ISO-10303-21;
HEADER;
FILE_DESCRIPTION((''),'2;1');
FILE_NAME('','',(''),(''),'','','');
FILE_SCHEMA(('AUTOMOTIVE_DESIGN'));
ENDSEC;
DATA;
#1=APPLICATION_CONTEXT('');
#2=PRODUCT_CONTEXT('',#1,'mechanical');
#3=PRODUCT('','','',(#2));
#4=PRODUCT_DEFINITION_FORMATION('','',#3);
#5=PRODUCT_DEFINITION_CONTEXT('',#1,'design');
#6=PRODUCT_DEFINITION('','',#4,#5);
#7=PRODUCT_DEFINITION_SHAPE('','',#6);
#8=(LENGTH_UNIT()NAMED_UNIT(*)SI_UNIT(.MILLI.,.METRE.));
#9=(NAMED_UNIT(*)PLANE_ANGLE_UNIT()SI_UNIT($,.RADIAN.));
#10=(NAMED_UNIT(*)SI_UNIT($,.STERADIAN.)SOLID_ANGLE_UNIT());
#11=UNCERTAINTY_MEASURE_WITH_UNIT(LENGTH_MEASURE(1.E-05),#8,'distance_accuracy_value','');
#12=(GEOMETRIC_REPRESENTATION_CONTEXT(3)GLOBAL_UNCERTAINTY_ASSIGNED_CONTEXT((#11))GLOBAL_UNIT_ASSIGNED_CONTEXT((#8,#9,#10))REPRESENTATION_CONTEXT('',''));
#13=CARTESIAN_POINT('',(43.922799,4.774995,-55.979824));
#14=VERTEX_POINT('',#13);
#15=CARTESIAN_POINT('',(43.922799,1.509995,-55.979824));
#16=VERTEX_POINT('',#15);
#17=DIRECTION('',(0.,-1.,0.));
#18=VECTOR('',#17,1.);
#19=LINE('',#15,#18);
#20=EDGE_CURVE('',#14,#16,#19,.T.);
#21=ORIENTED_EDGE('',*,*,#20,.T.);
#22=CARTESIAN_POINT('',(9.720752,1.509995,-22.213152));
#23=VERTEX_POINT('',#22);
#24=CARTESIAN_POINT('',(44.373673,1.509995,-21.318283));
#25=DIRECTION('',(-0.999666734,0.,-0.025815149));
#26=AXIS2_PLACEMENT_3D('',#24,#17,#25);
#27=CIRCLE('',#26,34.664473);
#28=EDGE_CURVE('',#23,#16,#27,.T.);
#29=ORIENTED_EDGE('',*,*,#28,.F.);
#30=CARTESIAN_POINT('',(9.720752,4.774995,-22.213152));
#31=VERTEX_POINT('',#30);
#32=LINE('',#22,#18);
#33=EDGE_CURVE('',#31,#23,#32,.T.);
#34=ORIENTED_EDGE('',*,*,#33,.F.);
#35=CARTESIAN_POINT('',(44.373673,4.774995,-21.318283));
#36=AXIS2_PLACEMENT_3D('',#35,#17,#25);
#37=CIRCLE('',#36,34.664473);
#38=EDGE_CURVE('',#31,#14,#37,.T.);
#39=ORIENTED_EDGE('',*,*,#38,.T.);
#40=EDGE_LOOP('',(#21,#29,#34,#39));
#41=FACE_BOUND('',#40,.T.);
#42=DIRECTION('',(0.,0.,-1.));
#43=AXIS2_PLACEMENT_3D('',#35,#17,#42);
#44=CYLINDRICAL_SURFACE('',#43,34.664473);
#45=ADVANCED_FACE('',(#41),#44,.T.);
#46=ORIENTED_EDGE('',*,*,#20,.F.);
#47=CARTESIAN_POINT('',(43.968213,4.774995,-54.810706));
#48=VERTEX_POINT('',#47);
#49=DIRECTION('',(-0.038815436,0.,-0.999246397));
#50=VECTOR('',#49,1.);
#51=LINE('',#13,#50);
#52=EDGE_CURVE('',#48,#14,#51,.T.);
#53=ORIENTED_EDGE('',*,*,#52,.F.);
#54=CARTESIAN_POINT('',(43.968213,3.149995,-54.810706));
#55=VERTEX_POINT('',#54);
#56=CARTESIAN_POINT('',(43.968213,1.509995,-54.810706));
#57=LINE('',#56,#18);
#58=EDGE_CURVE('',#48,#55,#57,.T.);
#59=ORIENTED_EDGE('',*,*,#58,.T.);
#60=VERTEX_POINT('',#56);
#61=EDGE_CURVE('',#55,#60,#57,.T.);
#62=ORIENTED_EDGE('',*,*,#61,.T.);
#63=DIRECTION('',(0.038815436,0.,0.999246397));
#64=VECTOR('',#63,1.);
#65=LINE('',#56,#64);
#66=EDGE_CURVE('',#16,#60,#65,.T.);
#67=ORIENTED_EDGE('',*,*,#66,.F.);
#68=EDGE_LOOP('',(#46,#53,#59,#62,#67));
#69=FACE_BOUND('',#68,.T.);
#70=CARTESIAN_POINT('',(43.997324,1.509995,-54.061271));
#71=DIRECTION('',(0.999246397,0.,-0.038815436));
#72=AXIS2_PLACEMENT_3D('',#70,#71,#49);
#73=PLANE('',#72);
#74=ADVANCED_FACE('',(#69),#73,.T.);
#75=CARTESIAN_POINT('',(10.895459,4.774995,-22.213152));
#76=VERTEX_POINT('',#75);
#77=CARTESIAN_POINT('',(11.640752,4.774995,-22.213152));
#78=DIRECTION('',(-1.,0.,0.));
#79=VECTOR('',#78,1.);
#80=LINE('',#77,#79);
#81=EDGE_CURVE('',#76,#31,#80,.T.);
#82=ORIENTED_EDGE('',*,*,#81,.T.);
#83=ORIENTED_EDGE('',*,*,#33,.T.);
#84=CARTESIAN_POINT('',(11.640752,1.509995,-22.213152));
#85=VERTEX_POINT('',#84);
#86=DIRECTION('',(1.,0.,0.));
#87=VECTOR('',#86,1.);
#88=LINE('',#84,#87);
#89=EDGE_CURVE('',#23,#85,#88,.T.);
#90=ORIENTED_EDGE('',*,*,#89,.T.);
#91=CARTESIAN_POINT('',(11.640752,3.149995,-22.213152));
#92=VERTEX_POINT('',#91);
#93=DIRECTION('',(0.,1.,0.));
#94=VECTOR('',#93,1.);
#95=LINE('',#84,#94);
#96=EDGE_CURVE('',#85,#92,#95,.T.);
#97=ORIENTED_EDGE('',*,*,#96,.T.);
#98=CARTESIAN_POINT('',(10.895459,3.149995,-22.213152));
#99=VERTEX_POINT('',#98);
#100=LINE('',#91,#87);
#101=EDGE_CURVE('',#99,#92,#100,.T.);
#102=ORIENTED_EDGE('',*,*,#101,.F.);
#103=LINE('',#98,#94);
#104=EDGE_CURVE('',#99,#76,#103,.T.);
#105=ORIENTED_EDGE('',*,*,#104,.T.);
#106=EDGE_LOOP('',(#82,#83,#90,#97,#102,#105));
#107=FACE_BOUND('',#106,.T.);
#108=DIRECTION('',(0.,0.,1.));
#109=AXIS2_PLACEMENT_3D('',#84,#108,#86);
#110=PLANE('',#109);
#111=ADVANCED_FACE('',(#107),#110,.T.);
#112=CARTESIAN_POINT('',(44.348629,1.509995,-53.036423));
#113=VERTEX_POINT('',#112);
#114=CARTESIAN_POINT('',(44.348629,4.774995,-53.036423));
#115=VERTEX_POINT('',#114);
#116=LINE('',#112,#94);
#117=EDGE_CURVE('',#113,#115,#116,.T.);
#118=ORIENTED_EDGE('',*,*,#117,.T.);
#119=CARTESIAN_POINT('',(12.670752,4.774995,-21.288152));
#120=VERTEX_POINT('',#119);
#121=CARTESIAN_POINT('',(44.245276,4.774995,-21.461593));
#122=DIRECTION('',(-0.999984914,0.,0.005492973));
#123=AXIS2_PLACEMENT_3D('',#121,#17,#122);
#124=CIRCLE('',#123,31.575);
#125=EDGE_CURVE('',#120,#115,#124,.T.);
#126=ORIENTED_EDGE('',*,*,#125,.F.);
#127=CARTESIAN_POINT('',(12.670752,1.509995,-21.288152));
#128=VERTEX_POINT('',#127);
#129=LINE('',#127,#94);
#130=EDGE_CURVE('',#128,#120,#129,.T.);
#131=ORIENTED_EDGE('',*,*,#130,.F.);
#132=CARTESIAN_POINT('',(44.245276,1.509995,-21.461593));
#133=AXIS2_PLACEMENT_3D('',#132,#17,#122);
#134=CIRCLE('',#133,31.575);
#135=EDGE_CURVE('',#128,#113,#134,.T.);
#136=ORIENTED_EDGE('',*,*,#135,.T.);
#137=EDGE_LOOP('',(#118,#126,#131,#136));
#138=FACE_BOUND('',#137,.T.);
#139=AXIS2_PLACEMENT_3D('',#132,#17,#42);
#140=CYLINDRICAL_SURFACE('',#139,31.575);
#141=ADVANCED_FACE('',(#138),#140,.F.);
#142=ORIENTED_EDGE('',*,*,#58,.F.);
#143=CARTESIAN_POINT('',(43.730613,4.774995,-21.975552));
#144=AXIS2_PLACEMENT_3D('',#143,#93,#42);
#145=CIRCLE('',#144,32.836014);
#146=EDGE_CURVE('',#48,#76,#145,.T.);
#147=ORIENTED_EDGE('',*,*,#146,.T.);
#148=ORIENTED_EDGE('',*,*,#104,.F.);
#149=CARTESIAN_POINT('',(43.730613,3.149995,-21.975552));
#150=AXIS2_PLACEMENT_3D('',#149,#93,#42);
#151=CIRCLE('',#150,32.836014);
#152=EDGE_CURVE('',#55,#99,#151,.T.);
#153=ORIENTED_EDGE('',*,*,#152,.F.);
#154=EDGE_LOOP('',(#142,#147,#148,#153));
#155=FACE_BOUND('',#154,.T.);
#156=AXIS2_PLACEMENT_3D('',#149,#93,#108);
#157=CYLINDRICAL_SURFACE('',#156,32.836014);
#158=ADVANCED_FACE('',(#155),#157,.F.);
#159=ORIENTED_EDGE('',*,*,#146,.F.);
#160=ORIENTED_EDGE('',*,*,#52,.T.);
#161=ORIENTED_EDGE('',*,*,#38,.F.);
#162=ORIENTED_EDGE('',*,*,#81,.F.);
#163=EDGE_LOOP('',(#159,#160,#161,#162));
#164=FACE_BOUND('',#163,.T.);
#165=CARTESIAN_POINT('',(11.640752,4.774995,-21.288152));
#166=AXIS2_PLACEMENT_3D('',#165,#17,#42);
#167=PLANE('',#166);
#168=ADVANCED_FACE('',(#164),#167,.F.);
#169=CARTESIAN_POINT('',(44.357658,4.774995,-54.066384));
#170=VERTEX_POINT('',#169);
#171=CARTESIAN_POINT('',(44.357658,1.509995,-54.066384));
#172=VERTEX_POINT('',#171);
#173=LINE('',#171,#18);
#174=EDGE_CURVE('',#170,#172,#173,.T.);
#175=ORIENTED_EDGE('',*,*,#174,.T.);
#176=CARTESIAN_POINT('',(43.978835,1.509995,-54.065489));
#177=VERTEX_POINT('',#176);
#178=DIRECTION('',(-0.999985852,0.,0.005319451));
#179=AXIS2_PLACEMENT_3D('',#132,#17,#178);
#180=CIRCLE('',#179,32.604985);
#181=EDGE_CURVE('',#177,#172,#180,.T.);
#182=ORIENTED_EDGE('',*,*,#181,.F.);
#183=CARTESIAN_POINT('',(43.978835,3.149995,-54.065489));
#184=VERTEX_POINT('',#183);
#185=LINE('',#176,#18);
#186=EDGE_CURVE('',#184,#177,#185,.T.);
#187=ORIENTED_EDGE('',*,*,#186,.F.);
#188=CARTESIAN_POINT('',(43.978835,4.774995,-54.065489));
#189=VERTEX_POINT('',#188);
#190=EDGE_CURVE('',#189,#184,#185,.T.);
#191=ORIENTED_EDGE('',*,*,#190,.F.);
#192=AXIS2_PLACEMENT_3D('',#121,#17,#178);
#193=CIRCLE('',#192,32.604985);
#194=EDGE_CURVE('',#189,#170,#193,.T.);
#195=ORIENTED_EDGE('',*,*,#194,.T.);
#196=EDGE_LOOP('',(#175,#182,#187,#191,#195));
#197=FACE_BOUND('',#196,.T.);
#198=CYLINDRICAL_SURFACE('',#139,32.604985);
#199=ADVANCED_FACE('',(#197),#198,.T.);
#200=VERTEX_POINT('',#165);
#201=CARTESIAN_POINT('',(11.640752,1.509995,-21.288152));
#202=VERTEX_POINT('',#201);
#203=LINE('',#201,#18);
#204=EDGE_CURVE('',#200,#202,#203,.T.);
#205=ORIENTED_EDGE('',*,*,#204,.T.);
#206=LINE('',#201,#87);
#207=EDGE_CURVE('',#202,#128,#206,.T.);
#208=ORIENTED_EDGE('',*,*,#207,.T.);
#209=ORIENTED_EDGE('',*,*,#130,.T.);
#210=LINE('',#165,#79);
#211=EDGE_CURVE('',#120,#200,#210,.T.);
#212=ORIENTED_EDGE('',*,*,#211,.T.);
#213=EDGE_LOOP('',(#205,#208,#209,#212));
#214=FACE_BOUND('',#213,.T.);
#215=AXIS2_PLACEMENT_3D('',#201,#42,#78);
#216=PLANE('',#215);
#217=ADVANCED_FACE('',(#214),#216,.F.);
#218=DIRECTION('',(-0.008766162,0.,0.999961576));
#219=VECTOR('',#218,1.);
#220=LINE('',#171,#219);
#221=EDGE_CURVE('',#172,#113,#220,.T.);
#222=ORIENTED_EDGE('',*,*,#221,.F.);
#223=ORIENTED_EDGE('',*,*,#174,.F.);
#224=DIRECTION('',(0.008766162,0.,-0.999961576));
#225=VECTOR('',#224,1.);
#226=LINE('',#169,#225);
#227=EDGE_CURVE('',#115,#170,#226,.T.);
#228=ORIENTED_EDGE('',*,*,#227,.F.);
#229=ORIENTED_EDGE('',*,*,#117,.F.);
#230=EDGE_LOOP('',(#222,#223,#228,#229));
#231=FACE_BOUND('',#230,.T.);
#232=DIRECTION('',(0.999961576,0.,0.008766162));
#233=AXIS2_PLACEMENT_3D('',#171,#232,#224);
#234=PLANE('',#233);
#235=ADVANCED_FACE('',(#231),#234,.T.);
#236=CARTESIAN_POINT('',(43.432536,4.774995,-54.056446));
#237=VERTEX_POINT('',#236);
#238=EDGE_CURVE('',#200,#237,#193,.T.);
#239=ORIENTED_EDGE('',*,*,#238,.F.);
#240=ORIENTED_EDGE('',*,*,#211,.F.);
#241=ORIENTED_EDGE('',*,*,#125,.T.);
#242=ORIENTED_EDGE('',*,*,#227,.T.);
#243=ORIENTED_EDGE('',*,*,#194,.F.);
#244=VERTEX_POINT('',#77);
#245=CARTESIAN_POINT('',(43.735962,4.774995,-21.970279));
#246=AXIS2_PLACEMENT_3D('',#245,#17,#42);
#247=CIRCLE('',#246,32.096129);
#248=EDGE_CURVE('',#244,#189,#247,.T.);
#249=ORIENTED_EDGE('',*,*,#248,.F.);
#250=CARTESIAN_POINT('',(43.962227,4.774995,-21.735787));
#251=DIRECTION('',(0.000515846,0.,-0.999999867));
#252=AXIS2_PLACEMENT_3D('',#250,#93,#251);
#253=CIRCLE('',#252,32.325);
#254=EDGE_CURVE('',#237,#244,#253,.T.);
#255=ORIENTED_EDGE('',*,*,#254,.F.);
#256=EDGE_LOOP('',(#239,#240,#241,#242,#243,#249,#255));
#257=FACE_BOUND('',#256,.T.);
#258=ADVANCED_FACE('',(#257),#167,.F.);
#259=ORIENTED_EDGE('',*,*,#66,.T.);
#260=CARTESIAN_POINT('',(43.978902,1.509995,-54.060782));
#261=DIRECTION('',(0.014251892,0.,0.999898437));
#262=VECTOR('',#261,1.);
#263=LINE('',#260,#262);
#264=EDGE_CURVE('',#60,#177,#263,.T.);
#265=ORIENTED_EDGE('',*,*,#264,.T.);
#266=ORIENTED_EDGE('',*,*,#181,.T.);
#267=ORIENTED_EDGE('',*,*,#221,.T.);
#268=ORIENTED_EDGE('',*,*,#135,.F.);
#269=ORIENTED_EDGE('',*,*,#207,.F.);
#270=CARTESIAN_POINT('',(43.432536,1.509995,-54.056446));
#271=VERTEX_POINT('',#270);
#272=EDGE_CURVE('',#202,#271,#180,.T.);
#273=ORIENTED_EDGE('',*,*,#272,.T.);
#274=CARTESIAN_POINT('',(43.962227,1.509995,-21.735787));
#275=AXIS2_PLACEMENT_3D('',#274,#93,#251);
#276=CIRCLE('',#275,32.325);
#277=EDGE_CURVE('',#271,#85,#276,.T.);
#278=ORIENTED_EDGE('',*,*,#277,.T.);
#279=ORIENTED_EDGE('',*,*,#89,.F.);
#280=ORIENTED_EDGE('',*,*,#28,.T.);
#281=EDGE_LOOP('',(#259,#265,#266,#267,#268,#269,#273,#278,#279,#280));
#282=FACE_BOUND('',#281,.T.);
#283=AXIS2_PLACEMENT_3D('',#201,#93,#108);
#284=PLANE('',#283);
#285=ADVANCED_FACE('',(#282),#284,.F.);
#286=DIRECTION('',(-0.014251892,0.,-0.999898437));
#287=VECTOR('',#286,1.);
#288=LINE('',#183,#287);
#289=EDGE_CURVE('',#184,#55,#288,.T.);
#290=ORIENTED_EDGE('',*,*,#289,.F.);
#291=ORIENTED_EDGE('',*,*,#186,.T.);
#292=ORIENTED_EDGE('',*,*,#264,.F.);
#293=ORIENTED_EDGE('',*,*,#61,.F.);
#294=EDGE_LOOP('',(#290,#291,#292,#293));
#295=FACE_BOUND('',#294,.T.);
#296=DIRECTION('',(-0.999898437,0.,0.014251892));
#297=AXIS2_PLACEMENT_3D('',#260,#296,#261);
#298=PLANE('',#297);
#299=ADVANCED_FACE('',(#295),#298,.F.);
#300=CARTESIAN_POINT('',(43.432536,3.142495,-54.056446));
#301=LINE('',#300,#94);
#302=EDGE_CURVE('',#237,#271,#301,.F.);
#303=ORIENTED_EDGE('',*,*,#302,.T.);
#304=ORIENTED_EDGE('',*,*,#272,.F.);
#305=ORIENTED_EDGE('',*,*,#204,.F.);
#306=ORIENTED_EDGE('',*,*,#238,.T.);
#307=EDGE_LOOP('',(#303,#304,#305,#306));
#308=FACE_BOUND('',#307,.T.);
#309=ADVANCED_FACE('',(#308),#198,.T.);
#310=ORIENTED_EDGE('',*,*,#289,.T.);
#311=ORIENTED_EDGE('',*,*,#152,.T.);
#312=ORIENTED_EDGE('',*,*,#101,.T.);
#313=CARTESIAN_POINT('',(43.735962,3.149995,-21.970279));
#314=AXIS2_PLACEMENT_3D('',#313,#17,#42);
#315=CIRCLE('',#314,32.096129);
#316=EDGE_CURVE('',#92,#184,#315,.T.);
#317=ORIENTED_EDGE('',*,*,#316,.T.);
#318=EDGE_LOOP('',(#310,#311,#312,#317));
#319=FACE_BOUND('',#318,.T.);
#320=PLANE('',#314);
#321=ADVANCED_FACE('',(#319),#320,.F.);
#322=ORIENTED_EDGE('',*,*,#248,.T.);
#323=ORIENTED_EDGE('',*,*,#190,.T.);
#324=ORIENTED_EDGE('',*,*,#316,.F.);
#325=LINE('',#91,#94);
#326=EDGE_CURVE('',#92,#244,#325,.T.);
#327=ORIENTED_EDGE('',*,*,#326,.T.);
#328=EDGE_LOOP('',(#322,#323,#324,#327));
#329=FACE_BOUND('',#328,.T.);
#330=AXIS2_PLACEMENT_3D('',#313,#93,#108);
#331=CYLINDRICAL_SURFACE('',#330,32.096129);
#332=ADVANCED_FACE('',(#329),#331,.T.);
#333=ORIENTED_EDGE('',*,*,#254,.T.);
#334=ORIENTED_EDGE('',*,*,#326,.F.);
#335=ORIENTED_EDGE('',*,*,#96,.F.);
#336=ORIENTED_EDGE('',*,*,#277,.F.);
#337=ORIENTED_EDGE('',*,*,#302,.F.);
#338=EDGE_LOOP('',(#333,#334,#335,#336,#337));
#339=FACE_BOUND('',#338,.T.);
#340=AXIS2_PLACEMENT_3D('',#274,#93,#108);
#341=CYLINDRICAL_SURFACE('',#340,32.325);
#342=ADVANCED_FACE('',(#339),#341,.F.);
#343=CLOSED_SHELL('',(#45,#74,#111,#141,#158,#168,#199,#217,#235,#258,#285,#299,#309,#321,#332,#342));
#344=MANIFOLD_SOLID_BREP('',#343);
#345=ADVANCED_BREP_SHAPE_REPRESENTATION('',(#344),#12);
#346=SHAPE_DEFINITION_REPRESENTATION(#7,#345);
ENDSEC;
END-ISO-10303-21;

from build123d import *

# Parameters (mm, degrees)
SKETCH1_W          = 2.06
SKETCH1_H          = 6.53
SKETCH3_W          = 1.5
SKETCH3_H          = 6.53
SKETCH6_W          = 2.34
SKETCH6_H          = 6.53
CUT_EXTRUDE1_DEPTH = 3.25
SCALE1_SCALE       = 0.5


with BuildPart() as part:
    # Sweep1: sweep along a path in Sketch2
    with BuildLine(Plane(origin=(0, 0, 0), x_dir=(1, 0, 0), z_dir=(0, 1, 0))) as sweep1_path:
        ThreePointArc((2.06, 0), (20.505721927, 44.951087367), (65.415754098, 63.496542965))
    # Sketch1 → Sweep1 (sweep)
    with BuildSketch(Plane.XY):
        with Locations((1.03, 3.265)):
            Rectangle(SKETCH1_W, SKETCH1_H)
    sweep(path=sweep1_path.line)

    # Sweep2: sweep along a path in Sketch4
    with BuildLine(Plane(origin=(0, 0, 0), x_dir=(1, 0, 0), z_dir=(0, 1, 0))) as sweep2_path:
        ThreePointArc((-2.34, 1.85), (17.612800495, 48.600532533), (64.642950035, 67.885023038))
    # Sketch3 → Sweep2 (sweep)
    with BuildSketch(Plane.XY.offset(-1.85)):
        with Locations((-0.75, 3.265)):
            Rectangle(SKETCH3_W, SKETCH3_H)
    sweep(path=sweep2_path.line)

    # Sweep3: sweep along a path in Sketch7
    with BuildLine(Plane(origin=(0, 6.53, 0), x_dir=(1, 0, 0), z_dir=(0, 1, 0))) as sweep3_path:
        ThreePointArc((-1.5, 1.85), (18.444326424, 47.774036761), (64.654921624, 67.045108351))
    # Sketch6 → Sweep3 (sweep)
    with BuildSketch(Plane.XY.offset(-1.85)):
        with Locations((-2.67, 3.265)):
            Rectangle(SKETCH6_W, SKETCH6_H)
    sweep(path=sweep3_path.line)

    # Sketch8 → Cut-Extrude1 (cut)
    with BuildSketch(Plane(origin=(0, 6.53, 0), x_dir=(1, 0, 0), z_dir=(0, 1, 0))):
        with BuildLine():
            Line((0, 1.85), (-1.4905859, 1.85))
            ThreePointArc((-1.4905859, 1.85), (18.079818822, 48.146737329), (64.654921624, 67.045108351))
            Line((64.654921624, 67.045108351), (64.676165293, 65.554673837))
            ThreePointArc((64.676165293, 65.554673837), (19.144412702, 47.097209332), (0, 1.85))
        make_face()
    extrude(amount=-CUT_EXTRUDE1_DEPTH, mode=Mode.SUBTRACT)


with BuildPart() as part_1:
    # Scale1: scaled about (23.281504141, 3.019990998, -42.576303798)
    add(part.part.scale(SCALE1_SCALE).moved(Location((11.64075207, 1.509995499, -21.288151899))))


solid = part_1.part
